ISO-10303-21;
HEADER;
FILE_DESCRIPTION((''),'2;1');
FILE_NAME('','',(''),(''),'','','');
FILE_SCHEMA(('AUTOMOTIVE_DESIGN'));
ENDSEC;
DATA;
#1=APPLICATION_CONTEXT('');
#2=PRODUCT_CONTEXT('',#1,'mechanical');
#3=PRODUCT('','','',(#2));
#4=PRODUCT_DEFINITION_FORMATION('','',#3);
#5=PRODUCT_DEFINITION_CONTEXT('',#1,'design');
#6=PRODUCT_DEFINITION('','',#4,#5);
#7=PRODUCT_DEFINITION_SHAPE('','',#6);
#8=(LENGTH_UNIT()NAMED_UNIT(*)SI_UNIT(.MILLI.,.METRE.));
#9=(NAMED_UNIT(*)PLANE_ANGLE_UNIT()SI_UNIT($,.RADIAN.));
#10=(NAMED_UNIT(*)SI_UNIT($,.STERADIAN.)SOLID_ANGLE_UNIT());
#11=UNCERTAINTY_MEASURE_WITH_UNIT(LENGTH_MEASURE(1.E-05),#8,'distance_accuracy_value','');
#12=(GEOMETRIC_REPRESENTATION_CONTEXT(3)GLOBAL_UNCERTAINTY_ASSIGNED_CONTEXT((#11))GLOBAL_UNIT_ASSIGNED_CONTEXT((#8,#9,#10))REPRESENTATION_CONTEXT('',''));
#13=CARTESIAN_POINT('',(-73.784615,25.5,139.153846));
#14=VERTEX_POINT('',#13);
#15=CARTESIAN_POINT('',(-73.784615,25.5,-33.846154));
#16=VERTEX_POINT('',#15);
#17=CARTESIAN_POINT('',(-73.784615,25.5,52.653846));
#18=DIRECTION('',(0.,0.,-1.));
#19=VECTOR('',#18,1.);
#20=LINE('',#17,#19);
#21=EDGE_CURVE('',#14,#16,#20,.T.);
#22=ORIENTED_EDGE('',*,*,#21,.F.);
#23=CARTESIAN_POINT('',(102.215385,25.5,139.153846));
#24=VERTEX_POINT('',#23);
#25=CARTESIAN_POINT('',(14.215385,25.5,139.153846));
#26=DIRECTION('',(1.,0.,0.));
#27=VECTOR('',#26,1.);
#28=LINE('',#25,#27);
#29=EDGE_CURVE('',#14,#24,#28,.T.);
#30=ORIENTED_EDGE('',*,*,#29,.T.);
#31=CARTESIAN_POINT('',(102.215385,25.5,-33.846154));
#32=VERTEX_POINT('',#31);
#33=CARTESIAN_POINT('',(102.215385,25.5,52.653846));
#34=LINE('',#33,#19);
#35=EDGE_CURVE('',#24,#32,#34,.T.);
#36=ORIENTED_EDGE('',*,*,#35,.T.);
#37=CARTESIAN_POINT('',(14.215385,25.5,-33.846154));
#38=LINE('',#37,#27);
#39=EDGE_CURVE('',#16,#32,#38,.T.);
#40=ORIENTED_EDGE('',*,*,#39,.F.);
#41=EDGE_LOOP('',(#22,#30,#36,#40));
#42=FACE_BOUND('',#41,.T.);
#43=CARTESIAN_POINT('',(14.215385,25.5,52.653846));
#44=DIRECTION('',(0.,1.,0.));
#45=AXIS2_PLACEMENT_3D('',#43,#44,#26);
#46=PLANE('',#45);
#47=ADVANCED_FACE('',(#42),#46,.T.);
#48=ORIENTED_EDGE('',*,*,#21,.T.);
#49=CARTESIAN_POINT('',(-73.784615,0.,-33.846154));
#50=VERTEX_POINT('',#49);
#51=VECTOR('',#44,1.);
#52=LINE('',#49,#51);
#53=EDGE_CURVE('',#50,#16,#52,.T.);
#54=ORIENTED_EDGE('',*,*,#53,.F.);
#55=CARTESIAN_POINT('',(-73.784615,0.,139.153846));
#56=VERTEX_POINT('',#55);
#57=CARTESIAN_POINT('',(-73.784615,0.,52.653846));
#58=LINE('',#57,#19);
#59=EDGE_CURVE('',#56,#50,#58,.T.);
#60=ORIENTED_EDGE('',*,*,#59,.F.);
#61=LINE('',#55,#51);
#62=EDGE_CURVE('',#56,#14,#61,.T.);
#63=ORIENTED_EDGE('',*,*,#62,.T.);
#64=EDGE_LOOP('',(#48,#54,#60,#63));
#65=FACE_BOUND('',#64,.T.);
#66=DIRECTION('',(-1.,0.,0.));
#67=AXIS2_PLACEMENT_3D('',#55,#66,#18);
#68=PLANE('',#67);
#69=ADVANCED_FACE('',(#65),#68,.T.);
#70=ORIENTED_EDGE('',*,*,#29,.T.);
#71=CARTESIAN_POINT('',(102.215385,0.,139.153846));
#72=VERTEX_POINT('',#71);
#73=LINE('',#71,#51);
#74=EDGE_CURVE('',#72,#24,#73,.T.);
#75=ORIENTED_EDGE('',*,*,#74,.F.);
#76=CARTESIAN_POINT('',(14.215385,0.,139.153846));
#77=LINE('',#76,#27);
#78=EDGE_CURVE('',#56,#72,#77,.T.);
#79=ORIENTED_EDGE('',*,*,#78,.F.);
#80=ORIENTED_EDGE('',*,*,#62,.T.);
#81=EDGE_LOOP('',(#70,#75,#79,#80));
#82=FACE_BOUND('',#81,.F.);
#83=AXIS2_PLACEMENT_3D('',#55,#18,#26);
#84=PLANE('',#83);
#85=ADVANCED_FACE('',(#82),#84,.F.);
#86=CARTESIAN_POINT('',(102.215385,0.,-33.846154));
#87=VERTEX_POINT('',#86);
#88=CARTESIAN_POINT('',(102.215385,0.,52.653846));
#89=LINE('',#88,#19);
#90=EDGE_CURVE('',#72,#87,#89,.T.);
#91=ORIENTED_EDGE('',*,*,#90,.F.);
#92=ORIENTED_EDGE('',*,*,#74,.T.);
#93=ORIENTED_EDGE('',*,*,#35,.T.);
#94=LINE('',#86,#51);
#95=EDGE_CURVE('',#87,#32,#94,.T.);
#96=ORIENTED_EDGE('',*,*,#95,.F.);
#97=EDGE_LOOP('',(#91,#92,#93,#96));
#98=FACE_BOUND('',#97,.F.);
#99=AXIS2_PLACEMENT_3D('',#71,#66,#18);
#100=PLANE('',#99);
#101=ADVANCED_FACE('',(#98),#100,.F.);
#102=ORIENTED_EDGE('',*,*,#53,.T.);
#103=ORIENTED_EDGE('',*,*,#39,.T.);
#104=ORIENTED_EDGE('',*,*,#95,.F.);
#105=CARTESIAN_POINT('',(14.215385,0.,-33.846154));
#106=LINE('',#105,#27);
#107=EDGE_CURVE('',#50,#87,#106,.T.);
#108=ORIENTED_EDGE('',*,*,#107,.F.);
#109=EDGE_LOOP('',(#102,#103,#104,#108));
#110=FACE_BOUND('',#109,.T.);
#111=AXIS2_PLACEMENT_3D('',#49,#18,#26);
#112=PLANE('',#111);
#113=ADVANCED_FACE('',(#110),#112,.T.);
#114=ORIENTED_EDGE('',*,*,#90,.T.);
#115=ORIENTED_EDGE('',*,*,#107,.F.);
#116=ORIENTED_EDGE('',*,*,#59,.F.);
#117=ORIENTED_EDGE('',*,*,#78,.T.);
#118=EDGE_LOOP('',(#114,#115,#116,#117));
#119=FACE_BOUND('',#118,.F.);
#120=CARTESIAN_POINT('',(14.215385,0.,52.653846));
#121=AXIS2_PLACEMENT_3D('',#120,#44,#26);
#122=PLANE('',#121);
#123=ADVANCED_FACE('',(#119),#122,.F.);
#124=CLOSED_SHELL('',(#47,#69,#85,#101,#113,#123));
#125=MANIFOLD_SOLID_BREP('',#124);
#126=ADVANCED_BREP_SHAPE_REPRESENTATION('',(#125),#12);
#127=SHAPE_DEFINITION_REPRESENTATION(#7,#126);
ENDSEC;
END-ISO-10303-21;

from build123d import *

# Parameters (mm, degrees)
SKETCH_1_W      = 176
SKETCH_1_H      = 173
EXTRUDE_1_DEPTH = 25.5


with BuildPart() as part:
    # 草圖1 → 填料-伸長1 (new body)
    with BuildSketch(Plane(origin=(0, 0, 0), x_dir=(1, 0, 0), z_dir=(0, 1, 0))):
        with Locations((14.215384615, -52.653846154)):
            Rectangle(SKETCH_1_W, SKETCH_1_H)
    extrude(amount=EXTRUDE_1_DEPTH)


solid = part.part
